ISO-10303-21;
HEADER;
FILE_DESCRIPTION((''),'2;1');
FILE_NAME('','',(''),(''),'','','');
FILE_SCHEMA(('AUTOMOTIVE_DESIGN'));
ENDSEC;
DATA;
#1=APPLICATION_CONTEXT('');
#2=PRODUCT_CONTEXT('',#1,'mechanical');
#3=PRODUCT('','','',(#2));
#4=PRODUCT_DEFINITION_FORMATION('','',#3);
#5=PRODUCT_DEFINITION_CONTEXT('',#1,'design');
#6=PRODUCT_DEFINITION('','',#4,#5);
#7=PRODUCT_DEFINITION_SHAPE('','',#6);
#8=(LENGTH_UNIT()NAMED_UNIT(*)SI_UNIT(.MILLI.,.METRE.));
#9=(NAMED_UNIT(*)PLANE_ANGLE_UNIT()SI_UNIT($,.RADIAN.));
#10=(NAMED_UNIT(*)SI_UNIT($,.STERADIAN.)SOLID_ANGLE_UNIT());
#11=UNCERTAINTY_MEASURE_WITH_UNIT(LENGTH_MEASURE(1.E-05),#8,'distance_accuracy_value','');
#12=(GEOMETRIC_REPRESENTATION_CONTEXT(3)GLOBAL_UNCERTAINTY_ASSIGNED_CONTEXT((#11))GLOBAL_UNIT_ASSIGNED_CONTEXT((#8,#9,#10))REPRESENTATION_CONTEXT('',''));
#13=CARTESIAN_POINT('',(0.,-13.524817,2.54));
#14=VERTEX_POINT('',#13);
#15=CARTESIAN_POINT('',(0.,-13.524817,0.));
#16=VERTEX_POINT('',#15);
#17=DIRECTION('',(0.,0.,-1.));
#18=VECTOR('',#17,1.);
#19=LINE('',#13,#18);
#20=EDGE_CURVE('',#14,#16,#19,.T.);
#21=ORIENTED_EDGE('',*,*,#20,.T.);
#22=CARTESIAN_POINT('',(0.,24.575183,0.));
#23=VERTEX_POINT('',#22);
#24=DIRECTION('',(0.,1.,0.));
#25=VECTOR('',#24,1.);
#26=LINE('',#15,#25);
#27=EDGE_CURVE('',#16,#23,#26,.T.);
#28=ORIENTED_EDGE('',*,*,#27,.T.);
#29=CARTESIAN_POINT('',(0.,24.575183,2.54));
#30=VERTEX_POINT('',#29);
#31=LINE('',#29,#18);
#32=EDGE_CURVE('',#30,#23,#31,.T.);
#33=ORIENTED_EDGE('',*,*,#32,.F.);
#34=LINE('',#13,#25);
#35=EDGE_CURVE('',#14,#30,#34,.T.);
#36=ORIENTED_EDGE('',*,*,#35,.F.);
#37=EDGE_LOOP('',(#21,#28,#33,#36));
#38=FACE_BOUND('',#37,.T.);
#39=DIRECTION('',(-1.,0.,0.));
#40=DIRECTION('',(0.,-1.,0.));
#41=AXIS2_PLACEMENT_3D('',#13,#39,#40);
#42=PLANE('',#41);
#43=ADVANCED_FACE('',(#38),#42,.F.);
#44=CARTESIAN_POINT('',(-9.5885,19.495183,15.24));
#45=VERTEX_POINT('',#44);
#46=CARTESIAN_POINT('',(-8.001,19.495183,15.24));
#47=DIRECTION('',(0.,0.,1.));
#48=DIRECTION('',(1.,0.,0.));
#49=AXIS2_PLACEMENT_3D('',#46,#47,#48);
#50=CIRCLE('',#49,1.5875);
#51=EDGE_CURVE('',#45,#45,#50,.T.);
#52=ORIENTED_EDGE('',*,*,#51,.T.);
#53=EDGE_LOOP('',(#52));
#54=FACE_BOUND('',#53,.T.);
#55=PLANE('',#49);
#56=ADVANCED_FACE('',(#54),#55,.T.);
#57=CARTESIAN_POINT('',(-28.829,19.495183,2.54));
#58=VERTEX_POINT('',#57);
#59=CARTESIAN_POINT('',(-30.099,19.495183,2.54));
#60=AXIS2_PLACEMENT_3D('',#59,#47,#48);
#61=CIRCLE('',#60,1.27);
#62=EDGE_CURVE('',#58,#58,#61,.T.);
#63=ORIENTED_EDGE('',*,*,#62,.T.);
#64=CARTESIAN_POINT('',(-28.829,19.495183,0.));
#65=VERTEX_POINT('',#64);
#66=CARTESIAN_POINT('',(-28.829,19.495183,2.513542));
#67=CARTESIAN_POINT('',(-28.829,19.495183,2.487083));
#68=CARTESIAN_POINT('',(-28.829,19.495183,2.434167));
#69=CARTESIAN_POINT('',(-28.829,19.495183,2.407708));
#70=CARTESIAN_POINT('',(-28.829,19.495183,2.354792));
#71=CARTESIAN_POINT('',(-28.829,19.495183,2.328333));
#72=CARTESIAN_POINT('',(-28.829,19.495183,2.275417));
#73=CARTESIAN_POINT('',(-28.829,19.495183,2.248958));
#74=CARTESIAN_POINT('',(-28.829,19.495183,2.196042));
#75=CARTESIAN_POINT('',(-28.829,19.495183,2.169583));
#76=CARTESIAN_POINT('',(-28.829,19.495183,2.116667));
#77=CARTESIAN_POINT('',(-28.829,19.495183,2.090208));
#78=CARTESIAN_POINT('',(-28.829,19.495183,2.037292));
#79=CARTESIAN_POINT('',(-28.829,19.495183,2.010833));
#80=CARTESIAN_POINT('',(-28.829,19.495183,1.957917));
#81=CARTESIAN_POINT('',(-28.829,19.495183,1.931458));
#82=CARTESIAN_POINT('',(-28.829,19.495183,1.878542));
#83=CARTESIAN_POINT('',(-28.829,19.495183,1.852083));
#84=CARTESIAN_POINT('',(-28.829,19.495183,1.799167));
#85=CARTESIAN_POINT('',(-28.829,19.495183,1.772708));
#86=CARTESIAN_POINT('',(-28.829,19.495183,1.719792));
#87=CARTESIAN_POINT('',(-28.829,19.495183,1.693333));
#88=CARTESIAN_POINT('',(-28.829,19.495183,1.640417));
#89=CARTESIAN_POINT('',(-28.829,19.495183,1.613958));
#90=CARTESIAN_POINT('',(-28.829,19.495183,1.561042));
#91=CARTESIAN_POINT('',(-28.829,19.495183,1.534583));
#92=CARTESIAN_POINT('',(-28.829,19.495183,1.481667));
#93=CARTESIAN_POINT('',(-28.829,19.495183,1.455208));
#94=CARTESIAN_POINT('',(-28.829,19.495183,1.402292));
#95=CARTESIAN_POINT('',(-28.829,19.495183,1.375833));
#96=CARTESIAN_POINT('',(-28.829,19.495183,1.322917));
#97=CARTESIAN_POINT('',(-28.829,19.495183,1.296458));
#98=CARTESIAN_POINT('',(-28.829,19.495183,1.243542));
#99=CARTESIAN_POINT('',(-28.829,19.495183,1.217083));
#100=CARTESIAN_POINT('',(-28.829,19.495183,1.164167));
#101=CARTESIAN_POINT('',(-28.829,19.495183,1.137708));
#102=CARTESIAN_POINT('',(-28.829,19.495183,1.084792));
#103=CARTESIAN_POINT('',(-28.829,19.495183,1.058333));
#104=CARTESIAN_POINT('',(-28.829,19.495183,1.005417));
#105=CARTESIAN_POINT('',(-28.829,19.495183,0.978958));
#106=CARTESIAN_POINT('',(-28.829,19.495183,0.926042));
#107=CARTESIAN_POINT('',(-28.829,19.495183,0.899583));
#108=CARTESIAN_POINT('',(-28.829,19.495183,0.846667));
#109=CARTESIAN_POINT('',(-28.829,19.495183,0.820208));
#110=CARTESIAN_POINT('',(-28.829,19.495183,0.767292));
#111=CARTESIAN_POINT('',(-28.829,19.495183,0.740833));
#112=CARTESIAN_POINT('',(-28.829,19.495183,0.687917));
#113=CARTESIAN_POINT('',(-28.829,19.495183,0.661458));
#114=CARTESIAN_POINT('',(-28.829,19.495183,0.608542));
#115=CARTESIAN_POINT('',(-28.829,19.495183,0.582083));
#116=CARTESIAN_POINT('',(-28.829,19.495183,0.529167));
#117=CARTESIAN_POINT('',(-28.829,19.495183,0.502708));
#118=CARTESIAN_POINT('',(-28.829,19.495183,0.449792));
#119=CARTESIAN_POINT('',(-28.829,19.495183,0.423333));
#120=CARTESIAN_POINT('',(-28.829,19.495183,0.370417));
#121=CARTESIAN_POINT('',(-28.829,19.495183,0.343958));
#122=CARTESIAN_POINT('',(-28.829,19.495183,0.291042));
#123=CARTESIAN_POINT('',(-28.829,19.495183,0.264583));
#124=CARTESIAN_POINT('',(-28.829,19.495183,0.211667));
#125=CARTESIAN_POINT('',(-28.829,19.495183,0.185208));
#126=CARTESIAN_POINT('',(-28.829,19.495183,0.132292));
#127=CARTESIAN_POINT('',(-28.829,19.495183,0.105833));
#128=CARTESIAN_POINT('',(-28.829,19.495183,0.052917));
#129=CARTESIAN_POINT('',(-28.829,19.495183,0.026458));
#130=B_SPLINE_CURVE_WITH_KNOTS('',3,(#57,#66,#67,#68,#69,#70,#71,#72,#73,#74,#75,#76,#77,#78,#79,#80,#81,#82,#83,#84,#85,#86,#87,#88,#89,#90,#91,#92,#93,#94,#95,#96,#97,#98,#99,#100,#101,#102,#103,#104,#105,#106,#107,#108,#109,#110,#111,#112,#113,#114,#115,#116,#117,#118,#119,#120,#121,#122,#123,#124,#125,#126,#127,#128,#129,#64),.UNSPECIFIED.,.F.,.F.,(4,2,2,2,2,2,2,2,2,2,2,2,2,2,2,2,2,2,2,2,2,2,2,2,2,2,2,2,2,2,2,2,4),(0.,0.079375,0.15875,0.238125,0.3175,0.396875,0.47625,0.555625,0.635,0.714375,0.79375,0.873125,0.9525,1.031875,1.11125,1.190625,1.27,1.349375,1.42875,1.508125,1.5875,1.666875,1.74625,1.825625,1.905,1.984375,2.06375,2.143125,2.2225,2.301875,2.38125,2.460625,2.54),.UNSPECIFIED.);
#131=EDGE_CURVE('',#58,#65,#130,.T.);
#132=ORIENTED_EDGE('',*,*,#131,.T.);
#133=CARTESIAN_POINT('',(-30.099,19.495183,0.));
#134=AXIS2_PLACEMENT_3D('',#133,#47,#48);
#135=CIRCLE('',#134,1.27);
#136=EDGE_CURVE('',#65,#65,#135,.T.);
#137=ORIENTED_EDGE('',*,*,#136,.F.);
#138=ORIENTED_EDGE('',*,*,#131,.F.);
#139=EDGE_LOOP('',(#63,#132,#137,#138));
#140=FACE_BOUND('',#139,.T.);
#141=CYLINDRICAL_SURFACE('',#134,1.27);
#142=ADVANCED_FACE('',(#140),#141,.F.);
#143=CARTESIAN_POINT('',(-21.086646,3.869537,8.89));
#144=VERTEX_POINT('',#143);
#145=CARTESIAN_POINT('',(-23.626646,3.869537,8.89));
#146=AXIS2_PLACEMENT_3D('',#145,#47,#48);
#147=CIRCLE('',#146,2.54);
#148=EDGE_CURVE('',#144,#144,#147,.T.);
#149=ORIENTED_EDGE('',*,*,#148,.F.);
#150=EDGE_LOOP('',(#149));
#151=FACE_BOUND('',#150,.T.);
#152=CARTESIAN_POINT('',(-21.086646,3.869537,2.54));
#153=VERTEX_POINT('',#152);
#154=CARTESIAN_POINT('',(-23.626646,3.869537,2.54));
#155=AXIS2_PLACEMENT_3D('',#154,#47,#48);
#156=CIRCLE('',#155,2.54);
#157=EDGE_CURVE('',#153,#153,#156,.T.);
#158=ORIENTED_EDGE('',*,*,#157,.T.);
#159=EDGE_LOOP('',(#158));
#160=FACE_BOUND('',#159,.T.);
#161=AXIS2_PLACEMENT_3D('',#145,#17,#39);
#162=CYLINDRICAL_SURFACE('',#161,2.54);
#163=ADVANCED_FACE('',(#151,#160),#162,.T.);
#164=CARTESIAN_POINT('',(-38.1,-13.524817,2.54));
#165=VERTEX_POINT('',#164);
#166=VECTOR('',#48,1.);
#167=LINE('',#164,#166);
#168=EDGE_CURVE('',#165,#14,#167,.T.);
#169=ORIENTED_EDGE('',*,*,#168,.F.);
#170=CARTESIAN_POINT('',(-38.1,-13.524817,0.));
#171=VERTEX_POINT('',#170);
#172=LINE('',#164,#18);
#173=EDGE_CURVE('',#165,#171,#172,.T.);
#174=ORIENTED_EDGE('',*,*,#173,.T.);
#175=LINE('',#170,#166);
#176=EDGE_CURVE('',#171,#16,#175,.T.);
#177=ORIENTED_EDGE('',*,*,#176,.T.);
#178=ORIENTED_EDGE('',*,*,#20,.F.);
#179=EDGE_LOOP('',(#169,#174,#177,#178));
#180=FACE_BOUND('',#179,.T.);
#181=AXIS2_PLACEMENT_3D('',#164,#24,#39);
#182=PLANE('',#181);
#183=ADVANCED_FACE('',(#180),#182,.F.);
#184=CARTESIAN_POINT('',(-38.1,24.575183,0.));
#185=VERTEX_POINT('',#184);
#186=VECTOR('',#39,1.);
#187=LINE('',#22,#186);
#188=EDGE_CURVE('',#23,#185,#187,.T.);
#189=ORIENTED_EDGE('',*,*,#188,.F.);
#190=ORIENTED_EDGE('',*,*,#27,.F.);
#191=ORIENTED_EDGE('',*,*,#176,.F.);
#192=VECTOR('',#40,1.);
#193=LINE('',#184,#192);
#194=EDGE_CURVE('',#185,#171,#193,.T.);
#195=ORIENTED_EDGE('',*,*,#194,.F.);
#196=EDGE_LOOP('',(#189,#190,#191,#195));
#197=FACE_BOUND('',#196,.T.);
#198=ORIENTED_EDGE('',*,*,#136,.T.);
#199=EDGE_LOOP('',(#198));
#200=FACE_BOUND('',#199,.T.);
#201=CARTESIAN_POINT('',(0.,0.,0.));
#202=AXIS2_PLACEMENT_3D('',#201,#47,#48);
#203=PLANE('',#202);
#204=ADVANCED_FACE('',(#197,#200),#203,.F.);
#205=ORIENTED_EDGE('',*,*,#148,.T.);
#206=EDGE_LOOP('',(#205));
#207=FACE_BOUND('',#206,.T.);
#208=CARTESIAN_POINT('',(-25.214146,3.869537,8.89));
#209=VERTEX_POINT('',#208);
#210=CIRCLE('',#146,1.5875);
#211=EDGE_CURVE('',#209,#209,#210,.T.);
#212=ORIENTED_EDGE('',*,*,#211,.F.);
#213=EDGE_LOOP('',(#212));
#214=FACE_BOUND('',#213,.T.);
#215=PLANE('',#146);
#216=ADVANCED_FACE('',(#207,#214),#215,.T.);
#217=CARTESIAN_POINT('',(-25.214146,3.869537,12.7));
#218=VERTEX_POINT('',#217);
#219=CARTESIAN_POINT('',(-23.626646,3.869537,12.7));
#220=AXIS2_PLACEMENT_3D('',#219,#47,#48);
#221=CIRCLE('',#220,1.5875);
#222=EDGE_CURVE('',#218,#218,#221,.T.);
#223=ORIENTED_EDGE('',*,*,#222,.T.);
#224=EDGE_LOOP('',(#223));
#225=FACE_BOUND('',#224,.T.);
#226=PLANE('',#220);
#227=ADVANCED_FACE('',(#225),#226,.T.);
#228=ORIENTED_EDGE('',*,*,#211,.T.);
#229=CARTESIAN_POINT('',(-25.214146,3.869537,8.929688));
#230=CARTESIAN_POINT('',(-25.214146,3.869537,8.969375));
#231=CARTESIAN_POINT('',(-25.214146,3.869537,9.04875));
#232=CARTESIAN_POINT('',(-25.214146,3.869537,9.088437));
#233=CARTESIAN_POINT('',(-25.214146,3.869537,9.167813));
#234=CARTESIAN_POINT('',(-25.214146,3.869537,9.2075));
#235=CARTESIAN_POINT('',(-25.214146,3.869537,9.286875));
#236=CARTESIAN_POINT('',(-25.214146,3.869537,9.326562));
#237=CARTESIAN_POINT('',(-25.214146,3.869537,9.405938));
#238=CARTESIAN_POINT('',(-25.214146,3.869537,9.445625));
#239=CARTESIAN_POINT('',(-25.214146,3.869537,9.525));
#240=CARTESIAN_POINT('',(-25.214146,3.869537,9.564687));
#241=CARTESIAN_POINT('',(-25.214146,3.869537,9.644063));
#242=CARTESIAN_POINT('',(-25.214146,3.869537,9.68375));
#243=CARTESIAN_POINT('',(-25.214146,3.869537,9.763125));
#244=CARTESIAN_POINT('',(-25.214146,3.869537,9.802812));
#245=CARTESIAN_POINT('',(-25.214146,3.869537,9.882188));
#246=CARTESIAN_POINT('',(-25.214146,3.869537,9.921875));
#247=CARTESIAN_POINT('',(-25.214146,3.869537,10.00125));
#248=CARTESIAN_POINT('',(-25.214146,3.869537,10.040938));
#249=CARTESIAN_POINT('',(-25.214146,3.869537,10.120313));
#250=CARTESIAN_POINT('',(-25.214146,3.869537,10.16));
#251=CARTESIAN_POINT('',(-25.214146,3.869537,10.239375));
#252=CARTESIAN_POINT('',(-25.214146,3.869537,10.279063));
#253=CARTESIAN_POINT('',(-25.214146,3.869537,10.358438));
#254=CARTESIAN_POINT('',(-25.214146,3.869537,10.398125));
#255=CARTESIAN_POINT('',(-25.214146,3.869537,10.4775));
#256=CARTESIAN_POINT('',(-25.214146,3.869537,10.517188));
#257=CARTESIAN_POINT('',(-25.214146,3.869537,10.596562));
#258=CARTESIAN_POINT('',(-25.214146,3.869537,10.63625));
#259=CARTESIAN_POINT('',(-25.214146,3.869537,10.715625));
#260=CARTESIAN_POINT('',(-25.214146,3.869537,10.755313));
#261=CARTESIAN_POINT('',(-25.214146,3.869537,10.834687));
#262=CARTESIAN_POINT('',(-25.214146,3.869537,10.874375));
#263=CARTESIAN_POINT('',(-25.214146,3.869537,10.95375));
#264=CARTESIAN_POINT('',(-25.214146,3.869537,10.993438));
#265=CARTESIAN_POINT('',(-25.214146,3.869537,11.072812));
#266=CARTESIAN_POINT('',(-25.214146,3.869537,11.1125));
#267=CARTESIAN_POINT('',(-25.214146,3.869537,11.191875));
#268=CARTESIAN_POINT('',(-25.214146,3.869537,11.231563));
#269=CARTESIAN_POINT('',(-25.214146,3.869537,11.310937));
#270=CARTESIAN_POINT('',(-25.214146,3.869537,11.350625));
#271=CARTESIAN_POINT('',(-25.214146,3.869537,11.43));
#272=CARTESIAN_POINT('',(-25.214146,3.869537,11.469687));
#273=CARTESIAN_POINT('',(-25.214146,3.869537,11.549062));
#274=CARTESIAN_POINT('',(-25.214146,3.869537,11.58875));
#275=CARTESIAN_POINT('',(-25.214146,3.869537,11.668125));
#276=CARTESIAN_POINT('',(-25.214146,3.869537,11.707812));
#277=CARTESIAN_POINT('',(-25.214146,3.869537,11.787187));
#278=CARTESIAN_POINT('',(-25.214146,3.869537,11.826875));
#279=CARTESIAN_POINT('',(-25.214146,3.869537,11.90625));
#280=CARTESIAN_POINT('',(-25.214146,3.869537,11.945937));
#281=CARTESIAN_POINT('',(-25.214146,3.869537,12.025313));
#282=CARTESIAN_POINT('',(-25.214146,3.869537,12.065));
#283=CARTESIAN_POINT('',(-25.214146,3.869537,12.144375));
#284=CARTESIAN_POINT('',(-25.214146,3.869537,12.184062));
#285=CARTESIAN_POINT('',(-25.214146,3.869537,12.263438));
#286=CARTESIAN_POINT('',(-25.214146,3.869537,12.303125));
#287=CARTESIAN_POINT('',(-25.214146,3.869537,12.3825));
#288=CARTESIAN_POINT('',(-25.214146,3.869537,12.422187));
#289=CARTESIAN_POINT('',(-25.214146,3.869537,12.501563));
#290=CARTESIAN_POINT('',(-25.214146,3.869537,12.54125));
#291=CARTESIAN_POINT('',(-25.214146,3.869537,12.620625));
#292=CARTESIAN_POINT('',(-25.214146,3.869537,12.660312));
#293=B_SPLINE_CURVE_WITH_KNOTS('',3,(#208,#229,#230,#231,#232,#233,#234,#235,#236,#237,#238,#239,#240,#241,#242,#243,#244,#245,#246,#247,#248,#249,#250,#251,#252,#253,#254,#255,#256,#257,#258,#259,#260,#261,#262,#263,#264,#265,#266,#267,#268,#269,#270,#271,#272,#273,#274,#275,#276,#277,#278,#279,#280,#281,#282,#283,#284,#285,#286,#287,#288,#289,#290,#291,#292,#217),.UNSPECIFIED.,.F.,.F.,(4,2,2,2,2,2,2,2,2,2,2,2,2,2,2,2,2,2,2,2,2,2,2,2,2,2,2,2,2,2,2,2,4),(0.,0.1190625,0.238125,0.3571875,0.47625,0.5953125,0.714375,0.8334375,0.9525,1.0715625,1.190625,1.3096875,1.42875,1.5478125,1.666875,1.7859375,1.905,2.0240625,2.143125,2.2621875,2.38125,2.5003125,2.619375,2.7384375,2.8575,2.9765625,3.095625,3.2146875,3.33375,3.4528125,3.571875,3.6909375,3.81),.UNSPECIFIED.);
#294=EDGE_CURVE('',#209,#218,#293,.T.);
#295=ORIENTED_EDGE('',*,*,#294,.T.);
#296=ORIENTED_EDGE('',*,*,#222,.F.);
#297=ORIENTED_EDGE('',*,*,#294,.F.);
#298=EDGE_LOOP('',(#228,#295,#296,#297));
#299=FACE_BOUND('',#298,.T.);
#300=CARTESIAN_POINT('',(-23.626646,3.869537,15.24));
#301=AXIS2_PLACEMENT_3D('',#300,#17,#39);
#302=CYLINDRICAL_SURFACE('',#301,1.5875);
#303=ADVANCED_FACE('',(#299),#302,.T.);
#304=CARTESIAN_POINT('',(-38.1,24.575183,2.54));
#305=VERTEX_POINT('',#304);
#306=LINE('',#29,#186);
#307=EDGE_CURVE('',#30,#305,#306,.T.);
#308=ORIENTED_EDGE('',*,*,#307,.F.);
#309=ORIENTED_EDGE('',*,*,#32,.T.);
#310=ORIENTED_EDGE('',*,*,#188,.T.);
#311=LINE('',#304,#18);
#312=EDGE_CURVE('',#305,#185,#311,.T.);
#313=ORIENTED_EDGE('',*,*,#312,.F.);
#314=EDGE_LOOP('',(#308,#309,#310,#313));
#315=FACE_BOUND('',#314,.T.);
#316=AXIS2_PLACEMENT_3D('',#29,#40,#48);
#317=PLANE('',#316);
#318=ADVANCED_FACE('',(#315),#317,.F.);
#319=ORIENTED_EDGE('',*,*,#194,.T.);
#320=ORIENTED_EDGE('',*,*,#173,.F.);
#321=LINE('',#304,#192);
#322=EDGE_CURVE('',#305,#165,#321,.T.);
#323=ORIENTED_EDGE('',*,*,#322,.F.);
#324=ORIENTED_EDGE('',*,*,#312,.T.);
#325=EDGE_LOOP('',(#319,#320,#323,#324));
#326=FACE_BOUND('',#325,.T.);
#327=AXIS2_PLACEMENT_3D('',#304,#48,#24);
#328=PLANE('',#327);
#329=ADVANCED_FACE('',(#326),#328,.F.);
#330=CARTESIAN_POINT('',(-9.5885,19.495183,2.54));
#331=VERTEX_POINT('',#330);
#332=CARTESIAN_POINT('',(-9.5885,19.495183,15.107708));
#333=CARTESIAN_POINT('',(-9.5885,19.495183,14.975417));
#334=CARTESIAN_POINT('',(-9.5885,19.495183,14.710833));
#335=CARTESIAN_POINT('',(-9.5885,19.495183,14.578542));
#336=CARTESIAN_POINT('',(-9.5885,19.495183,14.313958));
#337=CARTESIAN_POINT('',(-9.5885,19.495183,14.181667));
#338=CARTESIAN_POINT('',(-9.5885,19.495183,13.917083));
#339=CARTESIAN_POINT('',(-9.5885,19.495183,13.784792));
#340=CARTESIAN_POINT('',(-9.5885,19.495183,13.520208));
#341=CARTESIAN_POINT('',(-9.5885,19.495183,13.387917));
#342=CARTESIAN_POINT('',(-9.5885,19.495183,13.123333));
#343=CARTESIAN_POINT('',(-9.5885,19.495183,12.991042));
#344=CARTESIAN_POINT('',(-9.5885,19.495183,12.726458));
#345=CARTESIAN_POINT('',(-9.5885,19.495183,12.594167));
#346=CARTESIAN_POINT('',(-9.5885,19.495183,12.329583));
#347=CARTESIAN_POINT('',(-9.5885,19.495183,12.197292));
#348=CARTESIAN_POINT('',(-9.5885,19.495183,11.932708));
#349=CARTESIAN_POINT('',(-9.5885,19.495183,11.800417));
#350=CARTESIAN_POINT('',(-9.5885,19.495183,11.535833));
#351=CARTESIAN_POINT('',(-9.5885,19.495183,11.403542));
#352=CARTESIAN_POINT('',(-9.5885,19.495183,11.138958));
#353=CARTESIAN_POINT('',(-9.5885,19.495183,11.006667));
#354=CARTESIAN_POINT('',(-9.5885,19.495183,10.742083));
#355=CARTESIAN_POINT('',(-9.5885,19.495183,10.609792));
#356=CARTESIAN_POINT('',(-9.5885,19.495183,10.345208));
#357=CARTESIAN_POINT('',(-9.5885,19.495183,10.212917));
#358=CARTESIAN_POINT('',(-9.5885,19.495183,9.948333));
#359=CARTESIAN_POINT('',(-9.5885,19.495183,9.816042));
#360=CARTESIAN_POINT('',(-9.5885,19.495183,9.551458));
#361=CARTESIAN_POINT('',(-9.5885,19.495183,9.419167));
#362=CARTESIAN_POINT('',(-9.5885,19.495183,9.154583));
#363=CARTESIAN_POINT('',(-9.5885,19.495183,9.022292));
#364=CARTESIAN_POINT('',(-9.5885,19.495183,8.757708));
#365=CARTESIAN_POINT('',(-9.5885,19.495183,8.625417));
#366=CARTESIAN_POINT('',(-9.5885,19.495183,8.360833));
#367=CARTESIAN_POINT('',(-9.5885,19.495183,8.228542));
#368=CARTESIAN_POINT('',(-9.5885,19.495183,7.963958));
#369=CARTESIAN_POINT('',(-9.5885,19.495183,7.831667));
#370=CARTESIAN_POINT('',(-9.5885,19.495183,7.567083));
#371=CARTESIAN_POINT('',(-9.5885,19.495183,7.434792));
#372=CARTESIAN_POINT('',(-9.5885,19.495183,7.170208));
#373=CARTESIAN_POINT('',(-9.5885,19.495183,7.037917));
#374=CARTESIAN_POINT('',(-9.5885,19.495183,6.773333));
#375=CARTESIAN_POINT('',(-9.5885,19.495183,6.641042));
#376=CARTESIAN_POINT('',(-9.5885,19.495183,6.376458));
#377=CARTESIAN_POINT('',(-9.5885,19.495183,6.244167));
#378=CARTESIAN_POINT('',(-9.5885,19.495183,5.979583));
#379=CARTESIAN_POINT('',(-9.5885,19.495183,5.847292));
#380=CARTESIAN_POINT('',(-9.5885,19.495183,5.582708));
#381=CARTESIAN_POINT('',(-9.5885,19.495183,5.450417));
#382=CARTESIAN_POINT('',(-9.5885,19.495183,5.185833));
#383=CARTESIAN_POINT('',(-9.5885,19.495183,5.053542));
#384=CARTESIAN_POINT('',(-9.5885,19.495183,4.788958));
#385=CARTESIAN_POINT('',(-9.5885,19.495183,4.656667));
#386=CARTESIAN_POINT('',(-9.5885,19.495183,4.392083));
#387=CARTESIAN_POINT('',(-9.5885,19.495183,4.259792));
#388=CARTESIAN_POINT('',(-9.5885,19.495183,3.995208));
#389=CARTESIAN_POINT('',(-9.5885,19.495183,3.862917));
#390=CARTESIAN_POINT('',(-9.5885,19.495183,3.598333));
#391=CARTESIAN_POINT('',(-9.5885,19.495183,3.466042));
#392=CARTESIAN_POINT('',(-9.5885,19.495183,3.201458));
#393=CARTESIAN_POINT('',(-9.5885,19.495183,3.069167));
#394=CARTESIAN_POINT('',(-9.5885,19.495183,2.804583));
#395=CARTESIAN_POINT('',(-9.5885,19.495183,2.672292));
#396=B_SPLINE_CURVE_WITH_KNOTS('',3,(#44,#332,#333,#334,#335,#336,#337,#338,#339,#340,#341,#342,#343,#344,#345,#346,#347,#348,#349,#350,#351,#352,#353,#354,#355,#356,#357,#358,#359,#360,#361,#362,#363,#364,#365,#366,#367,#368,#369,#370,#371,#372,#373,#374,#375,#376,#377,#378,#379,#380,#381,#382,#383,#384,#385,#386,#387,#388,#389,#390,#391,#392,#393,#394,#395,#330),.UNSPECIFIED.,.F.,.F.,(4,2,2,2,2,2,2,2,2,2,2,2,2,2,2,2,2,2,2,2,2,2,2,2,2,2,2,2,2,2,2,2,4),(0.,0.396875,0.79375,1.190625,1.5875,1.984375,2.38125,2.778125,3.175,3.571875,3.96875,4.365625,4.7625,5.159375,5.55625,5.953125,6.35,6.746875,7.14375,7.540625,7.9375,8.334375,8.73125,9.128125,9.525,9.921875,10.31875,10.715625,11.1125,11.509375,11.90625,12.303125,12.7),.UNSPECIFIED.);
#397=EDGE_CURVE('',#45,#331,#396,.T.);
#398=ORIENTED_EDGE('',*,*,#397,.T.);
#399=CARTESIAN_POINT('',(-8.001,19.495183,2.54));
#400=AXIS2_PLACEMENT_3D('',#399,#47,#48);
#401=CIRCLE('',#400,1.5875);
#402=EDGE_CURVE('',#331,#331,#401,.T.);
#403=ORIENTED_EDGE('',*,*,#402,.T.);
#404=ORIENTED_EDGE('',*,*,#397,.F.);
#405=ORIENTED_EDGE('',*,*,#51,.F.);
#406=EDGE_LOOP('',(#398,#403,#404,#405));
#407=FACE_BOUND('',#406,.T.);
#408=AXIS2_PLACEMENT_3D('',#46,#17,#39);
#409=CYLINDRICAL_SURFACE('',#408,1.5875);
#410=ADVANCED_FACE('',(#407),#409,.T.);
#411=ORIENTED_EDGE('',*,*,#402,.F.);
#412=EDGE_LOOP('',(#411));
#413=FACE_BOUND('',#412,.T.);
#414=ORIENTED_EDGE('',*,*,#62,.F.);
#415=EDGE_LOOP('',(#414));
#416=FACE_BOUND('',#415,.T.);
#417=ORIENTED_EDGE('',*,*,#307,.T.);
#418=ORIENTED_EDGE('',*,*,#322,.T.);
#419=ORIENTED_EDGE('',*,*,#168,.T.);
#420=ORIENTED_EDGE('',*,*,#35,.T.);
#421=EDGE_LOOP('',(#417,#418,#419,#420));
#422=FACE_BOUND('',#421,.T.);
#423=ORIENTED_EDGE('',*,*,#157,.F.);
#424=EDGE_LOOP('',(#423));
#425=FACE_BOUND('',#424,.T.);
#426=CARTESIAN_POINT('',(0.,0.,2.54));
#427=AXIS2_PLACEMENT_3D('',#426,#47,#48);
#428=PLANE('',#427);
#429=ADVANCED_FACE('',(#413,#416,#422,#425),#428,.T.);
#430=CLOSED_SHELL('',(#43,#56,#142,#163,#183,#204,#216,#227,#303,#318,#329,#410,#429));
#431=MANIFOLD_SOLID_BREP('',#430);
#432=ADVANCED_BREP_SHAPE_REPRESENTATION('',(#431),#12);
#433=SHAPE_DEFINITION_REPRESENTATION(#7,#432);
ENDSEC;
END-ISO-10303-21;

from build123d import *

# Parameters (mm, degrees)
SKETCH1_W           = 38.1
SKETCH1_H           = 38.1
BOSS_EXTRUDE1_DEPTH = 2.54
SKETCH2_R           = 1.5875
SKETCH2_R_2         = 1.27
BOSS_EXTRUDE2_DEPTH = 12.7
SKETCH5_R           = 1.27
CUT_EXTRUDE1_DEPTH  = 48.83102763
SKETCH6_R           = 2.54
BOSS_EXTRUDE3_DEPTH = 6.35
CUT_EXTRUDE2_START  = -2.54
SKETCH7_R           = 1.5875
CUT_EXTRUDE2_DEPTH  = 2.54


with BuildPart() as part:
    # Sketch1 → Boss-Extrude1 (new body)
    with BuildSketch(Plane.XY):
        with Locations((-19.05, 5.525182688)):
            Rectangle(SKETCH1_W, SKETCH1_H)
    extrude(amount=BOSS_EXTRUDE1_DEPTH)

    # Sketch2 → Boss-Extrude2 (add)
    with BuildSketch(Plane.XY.offset(2.54)):
        with Locations(Location((-8.001, 19.495182688, 0), (0, 0, 180))):
            Circle(SKETCH2_R)
        with Locations(Location((-23.626645651, 3.869537037, 0), (0, 0, 180))):
            Circle(SKETCH2_R)
        with Locations(Location((-30.099, 19.495182688, 0), (0, 0, 180))):
            Circle(SKETCH2_R_2)
    extrude(amount=BOSS_EXTRUDE2_DEPTH)

    # Sketch5 → Cut-Extrude1 (cut, through all)
    with BuildSketch(Plane.XY.offset(15.24)):
        with Locations((-30.099, 19.495182688)):
            Circle(SKETCH5_R)
    extrude(amount=-CUT_EXTRUDE1_DEPTH, mode=Mode.SUBTRACT)

    # Sketch6 → Boss-Extrude3 (add)
    with BuildSketch(Plane.XY.offset(2.54)):
        with Locations((-23.626645651, 3.869537037)):
            Circle(SKETCH6_R)
    extrude(amount=BOSS_EXTRUDE3_DEPTH)

    # Sketch7 → Cut-Extrude2 (cut)
    with BuildSketch(Plane.XY.offset(15.24).offset(CUT_EXTRUDE2_START)):
        with Locations(Location((-23.626645651, 3.869537037, 0), (0, 0, 180))):
            Circle(SKETCH7_R)
    extrude(amount=CUT_EXTRUDE2_DEPTH, mode=Mode.SUBTRACT)


solid = part.part
